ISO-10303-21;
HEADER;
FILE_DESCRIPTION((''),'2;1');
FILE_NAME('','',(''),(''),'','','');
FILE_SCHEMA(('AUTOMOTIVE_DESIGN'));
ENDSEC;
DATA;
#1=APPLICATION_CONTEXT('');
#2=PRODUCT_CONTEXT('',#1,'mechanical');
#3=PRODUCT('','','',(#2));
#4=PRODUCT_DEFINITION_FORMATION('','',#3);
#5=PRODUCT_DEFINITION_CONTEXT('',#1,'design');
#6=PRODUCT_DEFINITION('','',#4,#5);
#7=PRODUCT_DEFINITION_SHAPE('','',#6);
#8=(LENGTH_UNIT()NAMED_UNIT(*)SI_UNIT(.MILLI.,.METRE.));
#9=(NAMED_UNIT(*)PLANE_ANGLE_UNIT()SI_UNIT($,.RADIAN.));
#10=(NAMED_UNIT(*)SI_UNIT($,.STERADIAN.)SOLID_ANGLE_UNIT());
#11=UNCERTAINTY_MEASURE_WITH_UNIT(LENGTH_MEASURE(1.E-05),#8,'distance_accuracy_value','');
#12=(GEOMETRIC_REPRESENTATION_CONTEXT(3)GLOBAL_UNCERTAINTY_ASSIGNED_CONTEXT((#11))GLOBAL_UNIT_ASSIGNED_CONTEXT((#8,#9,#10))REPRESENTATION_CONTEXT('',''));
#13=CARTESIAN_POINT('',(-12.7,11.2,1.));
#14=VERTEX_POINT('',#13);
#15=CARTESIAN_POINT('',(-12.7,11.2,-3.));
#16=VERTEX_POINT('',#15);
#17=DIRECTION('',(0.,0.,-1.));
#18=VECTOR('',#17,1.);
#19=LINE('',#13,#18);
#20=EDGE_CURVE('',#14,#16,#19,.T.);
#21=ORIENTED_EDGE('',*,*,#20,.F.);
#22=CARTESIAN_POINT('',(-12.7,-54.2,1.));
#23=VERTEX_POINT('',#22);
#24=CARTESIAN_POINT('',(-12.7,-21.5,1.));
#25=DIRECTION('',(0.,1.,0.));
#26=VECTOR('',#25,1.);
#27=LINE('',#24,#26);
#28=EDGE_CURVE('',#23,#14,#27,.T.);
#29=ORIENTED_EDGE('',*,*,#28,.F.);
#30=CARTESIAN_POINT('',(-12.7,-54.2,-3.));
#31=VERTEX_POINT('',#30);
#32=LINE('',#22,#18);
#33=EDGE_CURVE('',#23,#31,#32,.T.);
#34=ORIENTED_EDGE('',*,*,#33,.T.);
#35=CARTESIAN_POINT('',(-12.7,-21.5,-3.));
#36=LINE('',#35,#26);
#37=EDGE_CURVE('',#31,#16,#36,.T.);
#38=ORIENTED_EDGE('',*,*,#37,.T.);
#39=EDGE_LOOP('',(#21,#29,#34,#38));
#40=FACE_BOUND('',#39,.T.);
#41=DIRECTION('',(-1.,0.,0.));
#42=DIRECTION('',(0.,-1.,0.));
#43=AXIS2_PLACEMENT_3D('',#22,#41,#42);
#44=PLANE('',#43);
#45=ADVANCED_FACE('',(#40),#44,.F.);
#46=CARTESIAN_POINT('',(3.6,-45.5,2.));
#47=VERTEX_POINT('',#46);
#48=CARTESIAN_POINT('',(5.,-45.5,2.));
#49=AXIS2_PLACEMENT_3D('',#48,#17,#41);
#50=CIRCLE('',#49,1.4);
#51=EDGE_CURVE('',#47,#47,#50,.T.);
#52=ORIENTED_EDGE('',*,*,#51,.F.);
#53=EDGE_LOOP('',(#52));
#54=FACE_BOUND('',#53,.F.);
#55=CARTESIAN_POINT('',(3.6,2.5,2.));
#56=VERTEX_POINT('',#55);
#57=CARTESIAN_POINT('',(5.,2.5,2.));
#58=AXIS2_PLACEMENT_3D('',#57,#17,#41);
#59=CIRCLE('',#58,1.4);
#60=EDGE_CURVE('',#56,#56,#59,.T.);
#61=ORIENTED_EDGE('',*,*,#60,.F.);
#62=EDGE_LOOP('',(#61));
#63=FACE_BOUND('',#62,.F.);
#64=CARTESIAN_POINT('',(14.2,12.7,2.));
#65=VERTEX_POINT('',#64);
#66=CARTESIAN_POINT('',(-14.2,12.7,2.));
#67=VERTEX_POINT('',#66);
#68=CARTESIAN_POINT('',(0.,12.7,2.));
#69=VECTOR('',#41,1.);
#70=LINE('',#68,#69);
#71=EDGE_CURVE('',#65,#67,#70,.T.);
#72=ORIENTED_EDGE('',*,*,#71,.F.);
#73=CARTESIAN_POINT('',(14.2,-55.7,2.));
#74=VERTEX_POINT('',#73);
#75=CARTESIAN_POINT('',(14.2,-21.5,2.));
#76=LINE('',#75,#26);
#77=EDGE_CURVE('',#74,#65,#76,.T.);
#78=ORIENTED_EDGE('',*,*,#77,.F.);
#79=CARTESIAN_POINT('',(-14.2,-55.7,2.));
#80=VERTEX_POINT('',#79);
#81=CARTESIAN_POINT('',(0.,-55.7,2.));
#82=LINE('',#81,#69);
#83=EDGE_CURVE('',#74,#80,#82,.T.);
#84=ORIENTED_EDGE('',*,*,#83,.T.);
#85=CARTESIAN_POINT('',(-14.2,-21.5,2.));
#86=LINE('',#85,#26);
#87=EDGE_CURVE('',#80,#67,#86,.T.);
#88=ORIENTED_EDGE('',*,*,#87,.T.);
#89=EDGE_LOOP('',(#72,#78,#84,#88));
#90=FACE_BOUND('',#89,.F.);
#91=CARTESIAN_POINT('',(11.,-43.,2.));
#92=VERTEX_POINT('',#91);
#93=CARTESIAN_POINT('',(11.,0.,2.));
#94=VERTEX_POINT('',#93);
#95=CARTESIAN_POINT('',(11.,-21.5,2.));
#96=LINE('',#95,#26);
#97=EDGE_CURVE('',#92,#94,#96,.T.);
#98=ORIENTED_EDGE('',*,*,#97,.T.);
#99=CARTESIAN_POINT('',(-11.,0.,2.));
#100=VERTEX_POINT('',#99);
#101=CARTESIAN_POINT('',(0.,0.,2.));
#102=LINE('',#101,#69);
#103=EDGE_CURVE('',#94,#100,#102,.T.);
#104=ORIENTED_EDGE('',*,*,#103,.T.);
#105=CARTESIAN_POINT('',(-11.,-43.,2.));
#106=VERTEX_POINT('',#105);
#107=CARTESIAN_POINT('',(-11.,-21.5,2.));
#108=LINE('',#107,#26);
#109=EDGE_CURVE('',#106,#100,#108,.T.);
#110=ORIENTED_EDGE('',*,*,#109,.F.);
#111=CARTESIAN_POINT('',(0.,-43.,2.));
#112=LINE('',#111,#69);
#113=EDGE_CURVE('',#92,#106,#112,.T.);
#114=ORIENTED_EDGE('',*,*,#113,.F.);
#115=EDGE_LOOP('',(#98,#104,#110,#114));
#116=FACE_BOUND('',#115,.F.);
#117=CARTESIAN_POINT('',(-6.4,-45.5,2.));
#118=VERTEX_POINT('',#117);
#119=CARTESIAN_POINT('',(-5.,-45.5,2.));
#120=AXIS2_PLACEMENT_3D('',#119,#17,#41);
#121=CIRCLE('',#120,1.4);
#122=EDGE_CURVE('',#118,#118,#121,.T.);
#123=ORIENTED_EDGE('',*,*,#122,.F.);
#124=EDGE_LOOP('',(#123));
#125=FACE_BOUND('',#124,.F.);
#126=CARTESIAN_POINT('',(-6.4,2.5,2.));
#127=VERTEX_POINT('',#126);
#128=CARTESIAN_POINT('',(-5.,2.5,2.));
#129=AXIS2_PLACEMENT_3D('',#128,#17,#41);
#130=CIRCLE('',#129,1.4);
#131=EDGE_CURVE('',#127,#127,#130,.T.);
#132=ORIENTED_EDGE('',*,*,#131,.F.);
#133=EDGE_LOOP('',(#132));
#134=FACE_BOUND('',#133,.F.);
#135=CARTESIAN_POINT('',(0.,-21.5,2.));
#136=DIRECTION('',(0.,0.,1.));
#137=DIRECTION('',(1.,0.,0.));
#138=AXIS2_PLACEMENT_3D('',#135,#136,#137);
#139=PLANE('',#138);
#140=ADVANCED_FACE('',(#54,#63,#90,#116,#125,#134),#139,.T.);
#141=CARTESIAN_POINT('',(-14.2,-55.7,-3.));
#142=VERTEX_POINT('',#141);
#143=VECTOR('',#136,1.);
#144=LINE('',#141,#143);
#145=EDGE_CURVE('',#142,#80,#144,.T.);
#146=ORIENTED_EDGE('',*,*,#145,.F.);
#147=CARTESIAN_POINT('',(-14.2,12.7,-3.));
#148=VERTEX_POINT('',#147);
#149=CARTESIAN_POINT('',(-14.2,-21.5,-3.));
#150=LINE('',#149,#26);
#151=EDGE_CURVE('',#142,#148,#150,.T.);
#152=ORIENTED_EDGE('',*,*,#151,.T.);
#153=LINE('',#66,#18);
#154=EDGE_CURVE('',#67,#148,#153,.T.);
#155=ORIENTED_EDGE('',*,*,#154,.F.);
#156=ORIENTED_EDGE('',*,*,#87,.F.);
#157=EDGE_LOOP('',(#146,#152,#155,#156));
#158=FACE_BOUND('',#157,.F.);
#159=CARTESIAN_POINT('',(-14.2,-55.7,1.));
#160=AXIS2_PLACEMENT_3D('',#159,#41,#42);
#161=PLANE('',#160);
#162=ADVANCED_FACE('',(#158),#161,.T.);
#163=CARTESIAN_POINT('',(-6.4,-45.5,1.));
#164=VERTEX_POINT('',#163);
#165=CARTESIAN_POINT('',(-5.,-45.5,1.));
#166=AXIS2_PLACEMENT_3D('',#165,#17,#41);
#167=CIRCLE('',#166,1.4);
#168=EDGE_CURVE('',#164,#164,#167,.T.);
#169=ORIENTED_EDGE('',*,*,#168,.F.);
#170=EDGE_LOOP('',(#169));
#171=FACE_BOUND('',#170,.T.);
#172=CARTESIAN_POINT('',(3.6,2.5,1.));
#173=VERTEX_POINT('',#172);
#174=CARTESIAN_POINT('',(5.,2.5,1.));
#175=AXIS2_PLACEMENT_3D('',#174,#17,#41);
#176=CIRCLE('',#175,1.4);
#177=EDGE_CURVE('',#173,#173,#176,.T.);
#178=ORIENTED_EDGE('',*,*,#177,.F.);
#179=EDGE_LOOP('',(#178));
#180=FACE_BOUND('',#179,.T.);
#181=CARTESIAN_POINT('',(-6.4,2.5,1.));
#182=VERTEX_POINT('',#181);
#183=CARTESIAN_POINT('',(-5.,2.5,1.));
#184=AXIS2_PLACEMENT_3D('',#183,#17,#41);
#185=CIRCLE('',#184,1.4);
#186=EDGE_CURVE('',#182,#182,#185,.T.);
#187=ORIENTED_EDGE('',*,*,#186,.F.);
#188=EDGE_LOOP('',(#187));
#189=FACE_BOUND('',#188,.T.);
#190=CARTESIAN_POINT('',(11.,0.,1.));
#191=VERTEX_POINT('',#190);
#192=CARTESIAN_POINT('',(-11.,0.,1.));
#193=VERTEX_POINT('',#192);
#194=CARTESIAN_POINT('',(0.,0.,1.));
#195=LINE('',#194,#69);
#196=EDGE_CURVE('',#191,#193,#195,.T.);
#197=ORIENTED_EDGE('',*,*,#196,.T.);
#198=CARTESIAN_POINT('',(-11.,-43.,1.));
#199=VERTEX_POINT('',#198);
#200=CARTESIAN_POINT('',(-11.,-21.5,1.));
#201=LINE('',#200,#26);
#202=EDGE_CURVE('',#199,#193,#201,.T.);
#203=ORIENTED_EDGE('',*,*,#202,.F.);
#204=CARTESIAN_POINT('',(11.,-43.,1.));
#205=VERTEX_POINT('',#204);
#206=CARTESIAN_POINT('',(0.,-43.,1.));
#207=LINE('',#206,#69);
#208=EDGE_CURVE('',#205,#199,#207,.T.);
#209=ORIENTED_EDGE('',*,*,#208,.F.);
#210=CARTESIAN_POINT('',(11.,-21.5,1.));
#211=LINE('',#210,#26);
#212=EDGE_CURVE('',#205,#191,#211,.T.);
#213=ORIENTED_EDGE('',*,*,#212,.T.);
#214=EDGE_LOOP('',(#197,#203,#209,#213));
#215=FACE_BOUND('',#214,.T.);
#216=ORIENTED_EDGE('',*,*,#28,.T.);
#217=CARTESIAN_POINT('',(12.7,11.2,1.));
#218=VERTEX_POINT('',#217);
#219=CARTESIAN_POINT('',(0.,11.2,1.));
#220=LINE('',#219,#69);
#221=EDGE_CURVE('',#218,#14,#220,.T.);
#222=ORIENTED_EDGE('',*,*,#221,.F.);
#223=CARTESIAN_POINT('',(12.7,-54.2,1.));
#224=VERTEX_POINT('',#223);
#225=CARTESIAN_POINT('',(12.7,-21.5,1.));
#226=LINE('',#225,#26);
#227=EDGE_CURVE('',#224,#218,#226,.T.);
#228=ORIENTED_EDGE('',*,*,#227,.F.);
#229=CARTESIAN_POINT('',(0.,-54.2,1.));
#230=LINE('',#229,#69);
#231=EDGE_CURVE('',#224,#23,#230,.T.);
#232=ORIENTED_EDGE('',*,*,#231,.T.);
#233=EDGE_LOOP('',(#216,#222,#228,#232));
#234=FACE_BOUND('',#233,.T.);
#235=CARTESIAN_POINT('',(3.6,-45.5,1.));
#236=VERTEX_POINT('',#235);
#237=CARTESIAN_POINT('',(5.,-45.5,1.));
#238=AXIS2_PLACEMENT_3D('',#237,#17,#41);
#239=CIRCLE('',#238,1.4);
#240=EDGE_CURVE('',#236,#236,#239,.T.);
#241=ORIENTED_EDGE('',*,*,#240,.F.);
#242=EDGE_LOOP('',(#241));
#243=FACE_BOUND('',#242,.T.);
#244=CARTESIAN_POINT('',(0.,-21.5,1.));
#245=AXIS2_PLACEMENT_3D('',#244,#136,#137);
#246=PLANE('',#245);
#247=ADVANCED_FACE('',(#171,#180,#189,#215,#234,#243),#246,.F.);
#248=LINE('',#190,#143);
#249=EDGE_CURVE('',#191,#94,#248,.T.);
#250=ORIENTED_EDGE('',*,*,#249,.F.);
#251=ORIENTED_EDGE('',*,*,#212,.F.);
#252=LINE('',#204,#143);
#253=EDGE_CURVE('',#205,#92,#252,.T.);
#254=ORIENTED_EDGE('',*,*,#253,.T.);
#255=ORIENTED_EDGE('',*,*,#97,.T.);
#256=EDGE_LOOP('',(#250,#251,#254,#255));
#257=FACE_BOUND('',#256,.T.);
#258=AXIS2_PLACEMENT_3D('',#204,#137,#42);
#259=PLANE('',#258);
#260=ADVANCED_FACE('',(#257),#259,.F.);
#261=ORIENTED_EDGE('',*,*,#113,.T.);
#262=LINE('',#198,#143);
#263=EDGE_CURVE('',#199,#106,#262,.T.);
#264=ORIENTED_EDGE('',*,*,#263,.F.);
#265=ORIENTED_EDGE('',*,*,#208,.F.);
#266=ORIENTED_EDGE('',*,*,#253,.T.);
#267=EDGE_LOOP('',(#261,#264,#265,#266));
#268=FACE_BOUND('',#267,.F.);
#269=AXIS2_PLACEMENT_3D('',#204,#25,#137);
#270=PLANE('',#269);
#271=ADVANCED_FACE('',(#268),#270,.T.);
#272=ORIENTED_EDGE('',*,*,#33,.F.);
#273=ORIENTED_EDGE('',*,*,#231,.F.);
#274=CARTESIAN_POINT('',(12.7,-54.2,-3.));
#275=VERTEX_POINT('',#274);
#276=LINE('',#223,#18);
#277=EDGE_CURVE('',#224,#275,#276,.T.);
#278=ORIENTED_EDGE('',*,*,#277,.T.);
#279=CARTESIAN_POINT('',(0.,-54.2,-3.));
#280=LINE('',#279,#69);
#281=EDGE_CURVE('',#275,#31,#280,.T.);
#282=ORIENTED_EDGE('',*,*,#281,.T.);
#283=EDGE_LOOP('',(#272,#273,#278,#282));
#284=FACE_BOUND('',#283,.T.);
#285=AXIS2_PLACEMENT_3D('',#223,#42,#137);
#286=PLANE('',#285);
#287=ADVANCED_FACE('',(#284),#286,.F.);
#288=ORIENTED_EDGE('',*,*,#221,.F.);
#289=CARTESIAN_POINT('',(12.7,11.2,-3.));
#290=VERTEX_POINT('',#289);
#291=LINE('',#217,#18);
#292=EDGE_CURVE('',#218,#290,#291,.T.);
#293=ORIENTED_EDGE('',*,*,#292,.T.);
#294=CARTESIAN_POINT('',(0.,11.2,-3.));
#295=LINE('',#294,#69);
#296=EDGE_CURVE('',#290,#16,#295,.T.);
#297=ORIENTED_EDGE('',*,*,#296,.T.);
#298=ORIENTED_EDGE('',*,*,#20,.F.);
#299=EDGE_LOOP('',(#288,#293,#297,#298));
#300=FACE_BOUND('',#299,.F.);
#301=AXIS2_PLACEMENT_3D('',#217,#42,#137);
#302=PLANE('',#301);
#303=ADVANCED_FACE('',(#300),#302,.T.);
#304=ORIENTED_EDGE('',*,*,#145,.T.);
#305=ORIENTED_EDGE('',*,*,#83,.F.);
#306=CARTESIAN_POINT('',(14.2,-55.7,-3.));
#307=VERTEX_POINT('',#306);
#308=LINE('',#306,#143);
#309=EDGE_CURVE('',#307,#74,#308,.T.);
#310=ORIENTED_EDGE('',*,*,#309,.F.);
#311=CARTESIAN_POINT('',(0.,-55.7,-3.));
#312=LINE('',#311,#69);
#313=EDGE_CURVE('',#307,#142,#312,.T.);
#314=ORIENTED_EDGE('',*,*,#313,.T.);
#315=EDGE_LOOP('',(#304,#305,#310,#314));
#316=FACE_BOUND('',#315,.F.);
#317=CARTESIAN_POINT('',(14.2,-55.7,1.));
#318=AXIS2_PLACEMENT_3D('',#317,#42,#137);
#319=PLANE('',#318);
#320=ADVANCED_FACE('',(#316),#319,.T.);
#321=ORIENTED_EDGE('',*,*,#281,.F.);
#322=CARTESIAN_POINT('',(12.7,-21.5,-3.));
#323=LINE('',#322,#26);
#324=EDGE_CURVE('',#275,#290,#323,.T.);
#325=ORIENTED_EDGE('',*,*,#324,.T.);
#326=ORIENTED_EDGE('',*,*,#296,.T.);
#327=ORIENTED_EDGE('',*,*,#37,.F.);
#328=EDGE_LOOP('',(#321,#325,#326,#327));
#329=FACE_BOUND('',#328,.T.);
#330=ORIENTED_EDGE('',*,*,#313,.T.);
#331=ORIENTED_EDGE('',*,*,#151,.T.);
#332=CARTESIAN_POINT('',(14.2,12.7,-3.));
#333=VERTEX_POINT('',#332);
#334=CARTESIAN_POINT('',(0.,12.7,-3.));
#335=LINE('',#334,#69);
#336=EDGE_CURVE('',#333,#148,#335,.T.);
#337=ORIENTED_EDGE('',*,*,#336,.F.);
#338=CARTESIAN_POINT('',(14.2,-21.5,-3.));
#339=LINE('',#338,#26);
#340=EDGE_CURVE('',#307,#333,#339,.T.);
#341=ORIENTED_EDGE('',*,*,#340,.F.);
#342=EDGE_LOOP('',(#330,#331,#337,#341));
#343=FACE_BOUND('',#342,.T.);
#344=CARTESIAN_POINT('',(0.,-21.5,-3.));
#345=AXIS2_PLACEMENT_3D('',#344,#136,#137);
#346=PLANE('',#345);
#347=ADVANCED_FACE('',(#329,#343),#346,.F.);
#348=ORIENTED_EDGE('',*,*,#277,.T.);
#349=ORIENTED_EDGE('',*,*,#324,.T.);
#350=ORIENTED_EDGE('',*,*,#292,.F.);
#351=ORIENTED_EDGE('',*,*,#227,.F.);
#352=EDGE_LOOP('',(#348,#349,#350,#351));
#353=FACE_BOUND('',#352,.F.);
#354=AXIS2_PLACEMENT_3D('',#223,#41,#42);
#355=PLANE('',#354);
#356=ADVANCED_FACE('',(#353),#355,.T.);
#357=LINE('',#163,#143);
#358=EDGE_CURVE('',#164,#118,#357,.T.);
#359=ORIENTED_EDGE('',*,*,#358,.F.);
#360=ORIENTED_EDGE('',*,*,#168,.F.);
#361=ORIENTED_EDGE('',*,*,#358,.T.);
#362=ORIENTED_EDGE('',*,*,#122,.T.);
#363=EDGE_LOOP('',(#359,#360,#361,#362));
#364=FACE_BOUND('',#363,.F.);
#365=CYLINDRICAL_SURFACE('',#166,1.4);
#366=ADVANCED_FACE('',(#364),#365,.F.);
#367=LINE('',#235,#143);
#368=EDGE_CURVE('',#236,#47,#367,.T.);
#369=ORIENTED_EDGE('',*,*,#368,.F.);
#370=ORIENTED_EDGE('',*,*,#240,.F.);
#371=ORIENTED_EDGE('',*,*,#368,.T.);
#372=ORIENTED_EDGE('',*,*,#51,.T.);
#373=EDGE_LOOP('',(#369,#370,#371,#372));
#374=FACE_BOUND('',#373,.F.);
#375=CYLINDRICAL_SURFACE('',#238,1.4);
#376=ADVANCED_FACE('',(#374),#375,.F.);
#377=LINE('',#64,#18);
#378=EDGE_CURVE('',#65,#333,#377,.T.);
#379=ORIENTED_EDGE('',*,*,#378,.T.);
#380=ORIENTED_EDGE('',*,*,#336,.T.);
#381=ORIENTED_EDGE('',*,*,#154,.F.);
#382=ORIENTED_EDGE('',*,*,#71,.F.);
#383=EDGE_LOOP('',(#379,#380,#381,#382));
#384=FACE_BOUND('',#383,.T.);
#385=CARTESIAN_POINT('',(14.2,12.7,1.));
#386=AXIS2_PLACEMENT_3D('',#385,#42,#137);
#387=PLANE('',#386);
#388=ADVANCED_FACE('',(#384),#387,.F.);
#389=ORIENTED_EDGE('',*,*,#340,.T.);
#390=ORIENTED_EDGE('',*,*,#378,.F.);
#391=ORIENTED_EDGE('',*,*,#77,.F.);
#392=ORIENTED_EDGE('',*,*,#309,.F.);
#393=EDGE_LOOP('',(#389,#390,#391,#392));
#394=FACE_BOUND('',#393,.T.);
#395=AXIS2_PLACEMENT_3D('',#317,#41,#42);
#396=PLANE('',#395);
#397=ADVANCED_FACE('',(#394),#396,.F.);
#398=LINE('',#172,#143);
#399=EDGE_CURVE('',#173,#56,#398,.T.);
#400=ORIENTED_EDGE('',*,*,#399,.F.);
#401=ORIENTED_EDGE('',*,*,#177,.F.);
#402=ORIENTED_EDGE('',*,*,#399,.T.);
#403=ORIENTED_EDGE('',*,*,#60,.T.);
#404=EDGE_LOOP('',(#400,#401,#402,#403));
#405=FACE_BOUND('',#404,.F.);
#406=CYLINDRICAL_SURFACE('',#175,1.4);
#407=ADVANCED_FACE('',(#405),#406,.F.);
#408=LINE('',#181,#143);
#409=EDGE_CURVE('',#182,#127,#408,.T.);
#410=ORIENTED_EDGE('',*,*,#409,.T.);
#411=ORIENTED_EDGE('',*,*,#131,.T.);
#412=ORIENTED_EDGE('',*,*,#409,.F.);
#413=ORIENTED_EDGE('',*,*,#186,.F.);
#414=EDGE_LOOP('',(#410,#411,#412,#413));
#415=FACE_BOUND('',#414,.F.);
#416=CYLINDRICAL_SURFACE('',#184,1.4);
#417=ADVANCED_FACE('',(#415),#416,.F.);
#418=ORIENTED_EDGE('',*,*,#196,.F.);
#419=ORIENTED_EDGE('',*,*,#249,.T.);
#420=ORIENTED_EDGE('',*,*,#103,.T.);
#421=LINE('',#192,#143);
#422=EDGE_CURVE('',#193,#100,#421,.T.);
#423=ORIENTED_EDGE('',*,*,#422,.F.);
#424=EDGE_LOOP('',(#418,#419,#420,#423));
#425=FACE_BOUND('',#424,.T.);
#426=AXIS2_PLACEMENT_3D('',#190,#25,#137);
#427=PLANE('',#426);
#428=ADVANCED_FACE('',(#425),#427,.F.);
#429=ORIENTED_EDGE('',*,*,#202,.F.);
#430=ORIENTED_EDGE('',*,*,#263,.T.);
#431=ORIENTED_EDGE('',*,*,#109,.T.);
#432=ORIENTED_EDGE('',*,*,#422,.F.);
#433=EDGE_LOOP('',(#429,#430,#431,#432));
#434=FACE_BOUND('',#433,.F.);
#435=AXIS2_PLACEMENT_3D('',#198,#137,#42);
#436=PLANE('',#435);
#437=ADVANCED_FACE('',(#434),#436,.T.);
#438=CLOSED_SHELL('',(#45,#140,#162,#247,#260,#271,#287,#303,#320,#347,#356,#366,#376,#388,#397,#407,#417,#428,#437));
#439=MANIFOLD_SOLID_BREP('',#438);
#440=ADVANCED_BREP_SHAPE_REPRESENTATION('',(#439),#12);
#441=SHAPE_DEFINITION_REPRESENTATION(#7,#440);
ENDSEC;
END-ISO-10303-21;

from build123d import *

# Parameters (mm, degrees)
CYLINDER005_R     = 1.4
CYLINDER005_DEPTH = 10
SKETCH001_W       = 28.4
SKETCH001_H       = 68.4
SKETCH001_W_2     = 25.4
SKETCH001_H_2     = 65.4
EXTRUDE001_DEPTH  = 4
SKETCH_W          = 28.4
SKETCH_H          = 68.4
SKETCH_R          = 1.4
SKETCH_W_2        = 22
SKETCH_H_2        = 43
EXTRUDE_DEPTH     = 1


with BuildPart() as cylinder005:
    # Cylinder005 → Cylinder005 (new body)
    with BuildSketch(Plane(origin=(-5, 2.5, -5), x_dir=(1, 0, 0), z_dir=(0, 0, 1))):
        Circle(CYLINDER005_R)
    extrude(amount=CYLINDER005_DEPTH)


with BuildPart() as extrude001:
    # Sketch001 → Extrude001 (new body)
    with BuildSketch(Plane.XY.offset(1)):
        with Locations((0, -21.5)):
            Rectangle(SKETCH001_W, SKETCH001_H)
        with Locations((0, -21.5)):
            Rectangle(SKETCH001_W_2, SKETCH001_H_2, mode=Mode.SUBTRACT)
    extrude(amount=-EXTRUDE001_DEPTH)


with BuildPart() as body002:
    # Sketch → Extrude (new body)
    with BuildSketch(Plane.XY.offset(1)):
        with Locations((0, -21.5)):
            Rectangle(SKETCH_W, SKETCH_H)
        with Locations((-5, 2.5)):
            Circle(SKETCH_R, mode=Mode.SUBTRACT)
        with Locations((5, 2.5)):
            Circle(SKETCH_R, mode=Mode.SUBTRACT)
        with Locations((-5, -45.5)):
            Circle(SKETCH_R, mode=Mode.SUBTRACT)
        with Locations((5, -45.5)):
            Circle(SKETCH_R, mode=Mode.SUBTRACT)
        with Locations((0, -21.5)):
            Rectangle(SKETCH_W_2, SKETCH_H_2, mode=Mode.SUBTRACT)
    extrude(amount=EXTRUDE_DEPTH)

    # Fusion012: union Extrude001
    add(extrude001.part)

    # Cut001: cut Cylinder005
    add(cylinder005.part, mode=Mode.SUBTRACT)


with BuildPart() as part_mirroring003:
    # Part__Mirroring003: instance of Body002
    add(body002.part.mirror(Plane(origin=(0, 0, 0), x_dir=(0, -1, 0), z_dir=(1, 0, 0))))


solid = part_mirroring003.part
